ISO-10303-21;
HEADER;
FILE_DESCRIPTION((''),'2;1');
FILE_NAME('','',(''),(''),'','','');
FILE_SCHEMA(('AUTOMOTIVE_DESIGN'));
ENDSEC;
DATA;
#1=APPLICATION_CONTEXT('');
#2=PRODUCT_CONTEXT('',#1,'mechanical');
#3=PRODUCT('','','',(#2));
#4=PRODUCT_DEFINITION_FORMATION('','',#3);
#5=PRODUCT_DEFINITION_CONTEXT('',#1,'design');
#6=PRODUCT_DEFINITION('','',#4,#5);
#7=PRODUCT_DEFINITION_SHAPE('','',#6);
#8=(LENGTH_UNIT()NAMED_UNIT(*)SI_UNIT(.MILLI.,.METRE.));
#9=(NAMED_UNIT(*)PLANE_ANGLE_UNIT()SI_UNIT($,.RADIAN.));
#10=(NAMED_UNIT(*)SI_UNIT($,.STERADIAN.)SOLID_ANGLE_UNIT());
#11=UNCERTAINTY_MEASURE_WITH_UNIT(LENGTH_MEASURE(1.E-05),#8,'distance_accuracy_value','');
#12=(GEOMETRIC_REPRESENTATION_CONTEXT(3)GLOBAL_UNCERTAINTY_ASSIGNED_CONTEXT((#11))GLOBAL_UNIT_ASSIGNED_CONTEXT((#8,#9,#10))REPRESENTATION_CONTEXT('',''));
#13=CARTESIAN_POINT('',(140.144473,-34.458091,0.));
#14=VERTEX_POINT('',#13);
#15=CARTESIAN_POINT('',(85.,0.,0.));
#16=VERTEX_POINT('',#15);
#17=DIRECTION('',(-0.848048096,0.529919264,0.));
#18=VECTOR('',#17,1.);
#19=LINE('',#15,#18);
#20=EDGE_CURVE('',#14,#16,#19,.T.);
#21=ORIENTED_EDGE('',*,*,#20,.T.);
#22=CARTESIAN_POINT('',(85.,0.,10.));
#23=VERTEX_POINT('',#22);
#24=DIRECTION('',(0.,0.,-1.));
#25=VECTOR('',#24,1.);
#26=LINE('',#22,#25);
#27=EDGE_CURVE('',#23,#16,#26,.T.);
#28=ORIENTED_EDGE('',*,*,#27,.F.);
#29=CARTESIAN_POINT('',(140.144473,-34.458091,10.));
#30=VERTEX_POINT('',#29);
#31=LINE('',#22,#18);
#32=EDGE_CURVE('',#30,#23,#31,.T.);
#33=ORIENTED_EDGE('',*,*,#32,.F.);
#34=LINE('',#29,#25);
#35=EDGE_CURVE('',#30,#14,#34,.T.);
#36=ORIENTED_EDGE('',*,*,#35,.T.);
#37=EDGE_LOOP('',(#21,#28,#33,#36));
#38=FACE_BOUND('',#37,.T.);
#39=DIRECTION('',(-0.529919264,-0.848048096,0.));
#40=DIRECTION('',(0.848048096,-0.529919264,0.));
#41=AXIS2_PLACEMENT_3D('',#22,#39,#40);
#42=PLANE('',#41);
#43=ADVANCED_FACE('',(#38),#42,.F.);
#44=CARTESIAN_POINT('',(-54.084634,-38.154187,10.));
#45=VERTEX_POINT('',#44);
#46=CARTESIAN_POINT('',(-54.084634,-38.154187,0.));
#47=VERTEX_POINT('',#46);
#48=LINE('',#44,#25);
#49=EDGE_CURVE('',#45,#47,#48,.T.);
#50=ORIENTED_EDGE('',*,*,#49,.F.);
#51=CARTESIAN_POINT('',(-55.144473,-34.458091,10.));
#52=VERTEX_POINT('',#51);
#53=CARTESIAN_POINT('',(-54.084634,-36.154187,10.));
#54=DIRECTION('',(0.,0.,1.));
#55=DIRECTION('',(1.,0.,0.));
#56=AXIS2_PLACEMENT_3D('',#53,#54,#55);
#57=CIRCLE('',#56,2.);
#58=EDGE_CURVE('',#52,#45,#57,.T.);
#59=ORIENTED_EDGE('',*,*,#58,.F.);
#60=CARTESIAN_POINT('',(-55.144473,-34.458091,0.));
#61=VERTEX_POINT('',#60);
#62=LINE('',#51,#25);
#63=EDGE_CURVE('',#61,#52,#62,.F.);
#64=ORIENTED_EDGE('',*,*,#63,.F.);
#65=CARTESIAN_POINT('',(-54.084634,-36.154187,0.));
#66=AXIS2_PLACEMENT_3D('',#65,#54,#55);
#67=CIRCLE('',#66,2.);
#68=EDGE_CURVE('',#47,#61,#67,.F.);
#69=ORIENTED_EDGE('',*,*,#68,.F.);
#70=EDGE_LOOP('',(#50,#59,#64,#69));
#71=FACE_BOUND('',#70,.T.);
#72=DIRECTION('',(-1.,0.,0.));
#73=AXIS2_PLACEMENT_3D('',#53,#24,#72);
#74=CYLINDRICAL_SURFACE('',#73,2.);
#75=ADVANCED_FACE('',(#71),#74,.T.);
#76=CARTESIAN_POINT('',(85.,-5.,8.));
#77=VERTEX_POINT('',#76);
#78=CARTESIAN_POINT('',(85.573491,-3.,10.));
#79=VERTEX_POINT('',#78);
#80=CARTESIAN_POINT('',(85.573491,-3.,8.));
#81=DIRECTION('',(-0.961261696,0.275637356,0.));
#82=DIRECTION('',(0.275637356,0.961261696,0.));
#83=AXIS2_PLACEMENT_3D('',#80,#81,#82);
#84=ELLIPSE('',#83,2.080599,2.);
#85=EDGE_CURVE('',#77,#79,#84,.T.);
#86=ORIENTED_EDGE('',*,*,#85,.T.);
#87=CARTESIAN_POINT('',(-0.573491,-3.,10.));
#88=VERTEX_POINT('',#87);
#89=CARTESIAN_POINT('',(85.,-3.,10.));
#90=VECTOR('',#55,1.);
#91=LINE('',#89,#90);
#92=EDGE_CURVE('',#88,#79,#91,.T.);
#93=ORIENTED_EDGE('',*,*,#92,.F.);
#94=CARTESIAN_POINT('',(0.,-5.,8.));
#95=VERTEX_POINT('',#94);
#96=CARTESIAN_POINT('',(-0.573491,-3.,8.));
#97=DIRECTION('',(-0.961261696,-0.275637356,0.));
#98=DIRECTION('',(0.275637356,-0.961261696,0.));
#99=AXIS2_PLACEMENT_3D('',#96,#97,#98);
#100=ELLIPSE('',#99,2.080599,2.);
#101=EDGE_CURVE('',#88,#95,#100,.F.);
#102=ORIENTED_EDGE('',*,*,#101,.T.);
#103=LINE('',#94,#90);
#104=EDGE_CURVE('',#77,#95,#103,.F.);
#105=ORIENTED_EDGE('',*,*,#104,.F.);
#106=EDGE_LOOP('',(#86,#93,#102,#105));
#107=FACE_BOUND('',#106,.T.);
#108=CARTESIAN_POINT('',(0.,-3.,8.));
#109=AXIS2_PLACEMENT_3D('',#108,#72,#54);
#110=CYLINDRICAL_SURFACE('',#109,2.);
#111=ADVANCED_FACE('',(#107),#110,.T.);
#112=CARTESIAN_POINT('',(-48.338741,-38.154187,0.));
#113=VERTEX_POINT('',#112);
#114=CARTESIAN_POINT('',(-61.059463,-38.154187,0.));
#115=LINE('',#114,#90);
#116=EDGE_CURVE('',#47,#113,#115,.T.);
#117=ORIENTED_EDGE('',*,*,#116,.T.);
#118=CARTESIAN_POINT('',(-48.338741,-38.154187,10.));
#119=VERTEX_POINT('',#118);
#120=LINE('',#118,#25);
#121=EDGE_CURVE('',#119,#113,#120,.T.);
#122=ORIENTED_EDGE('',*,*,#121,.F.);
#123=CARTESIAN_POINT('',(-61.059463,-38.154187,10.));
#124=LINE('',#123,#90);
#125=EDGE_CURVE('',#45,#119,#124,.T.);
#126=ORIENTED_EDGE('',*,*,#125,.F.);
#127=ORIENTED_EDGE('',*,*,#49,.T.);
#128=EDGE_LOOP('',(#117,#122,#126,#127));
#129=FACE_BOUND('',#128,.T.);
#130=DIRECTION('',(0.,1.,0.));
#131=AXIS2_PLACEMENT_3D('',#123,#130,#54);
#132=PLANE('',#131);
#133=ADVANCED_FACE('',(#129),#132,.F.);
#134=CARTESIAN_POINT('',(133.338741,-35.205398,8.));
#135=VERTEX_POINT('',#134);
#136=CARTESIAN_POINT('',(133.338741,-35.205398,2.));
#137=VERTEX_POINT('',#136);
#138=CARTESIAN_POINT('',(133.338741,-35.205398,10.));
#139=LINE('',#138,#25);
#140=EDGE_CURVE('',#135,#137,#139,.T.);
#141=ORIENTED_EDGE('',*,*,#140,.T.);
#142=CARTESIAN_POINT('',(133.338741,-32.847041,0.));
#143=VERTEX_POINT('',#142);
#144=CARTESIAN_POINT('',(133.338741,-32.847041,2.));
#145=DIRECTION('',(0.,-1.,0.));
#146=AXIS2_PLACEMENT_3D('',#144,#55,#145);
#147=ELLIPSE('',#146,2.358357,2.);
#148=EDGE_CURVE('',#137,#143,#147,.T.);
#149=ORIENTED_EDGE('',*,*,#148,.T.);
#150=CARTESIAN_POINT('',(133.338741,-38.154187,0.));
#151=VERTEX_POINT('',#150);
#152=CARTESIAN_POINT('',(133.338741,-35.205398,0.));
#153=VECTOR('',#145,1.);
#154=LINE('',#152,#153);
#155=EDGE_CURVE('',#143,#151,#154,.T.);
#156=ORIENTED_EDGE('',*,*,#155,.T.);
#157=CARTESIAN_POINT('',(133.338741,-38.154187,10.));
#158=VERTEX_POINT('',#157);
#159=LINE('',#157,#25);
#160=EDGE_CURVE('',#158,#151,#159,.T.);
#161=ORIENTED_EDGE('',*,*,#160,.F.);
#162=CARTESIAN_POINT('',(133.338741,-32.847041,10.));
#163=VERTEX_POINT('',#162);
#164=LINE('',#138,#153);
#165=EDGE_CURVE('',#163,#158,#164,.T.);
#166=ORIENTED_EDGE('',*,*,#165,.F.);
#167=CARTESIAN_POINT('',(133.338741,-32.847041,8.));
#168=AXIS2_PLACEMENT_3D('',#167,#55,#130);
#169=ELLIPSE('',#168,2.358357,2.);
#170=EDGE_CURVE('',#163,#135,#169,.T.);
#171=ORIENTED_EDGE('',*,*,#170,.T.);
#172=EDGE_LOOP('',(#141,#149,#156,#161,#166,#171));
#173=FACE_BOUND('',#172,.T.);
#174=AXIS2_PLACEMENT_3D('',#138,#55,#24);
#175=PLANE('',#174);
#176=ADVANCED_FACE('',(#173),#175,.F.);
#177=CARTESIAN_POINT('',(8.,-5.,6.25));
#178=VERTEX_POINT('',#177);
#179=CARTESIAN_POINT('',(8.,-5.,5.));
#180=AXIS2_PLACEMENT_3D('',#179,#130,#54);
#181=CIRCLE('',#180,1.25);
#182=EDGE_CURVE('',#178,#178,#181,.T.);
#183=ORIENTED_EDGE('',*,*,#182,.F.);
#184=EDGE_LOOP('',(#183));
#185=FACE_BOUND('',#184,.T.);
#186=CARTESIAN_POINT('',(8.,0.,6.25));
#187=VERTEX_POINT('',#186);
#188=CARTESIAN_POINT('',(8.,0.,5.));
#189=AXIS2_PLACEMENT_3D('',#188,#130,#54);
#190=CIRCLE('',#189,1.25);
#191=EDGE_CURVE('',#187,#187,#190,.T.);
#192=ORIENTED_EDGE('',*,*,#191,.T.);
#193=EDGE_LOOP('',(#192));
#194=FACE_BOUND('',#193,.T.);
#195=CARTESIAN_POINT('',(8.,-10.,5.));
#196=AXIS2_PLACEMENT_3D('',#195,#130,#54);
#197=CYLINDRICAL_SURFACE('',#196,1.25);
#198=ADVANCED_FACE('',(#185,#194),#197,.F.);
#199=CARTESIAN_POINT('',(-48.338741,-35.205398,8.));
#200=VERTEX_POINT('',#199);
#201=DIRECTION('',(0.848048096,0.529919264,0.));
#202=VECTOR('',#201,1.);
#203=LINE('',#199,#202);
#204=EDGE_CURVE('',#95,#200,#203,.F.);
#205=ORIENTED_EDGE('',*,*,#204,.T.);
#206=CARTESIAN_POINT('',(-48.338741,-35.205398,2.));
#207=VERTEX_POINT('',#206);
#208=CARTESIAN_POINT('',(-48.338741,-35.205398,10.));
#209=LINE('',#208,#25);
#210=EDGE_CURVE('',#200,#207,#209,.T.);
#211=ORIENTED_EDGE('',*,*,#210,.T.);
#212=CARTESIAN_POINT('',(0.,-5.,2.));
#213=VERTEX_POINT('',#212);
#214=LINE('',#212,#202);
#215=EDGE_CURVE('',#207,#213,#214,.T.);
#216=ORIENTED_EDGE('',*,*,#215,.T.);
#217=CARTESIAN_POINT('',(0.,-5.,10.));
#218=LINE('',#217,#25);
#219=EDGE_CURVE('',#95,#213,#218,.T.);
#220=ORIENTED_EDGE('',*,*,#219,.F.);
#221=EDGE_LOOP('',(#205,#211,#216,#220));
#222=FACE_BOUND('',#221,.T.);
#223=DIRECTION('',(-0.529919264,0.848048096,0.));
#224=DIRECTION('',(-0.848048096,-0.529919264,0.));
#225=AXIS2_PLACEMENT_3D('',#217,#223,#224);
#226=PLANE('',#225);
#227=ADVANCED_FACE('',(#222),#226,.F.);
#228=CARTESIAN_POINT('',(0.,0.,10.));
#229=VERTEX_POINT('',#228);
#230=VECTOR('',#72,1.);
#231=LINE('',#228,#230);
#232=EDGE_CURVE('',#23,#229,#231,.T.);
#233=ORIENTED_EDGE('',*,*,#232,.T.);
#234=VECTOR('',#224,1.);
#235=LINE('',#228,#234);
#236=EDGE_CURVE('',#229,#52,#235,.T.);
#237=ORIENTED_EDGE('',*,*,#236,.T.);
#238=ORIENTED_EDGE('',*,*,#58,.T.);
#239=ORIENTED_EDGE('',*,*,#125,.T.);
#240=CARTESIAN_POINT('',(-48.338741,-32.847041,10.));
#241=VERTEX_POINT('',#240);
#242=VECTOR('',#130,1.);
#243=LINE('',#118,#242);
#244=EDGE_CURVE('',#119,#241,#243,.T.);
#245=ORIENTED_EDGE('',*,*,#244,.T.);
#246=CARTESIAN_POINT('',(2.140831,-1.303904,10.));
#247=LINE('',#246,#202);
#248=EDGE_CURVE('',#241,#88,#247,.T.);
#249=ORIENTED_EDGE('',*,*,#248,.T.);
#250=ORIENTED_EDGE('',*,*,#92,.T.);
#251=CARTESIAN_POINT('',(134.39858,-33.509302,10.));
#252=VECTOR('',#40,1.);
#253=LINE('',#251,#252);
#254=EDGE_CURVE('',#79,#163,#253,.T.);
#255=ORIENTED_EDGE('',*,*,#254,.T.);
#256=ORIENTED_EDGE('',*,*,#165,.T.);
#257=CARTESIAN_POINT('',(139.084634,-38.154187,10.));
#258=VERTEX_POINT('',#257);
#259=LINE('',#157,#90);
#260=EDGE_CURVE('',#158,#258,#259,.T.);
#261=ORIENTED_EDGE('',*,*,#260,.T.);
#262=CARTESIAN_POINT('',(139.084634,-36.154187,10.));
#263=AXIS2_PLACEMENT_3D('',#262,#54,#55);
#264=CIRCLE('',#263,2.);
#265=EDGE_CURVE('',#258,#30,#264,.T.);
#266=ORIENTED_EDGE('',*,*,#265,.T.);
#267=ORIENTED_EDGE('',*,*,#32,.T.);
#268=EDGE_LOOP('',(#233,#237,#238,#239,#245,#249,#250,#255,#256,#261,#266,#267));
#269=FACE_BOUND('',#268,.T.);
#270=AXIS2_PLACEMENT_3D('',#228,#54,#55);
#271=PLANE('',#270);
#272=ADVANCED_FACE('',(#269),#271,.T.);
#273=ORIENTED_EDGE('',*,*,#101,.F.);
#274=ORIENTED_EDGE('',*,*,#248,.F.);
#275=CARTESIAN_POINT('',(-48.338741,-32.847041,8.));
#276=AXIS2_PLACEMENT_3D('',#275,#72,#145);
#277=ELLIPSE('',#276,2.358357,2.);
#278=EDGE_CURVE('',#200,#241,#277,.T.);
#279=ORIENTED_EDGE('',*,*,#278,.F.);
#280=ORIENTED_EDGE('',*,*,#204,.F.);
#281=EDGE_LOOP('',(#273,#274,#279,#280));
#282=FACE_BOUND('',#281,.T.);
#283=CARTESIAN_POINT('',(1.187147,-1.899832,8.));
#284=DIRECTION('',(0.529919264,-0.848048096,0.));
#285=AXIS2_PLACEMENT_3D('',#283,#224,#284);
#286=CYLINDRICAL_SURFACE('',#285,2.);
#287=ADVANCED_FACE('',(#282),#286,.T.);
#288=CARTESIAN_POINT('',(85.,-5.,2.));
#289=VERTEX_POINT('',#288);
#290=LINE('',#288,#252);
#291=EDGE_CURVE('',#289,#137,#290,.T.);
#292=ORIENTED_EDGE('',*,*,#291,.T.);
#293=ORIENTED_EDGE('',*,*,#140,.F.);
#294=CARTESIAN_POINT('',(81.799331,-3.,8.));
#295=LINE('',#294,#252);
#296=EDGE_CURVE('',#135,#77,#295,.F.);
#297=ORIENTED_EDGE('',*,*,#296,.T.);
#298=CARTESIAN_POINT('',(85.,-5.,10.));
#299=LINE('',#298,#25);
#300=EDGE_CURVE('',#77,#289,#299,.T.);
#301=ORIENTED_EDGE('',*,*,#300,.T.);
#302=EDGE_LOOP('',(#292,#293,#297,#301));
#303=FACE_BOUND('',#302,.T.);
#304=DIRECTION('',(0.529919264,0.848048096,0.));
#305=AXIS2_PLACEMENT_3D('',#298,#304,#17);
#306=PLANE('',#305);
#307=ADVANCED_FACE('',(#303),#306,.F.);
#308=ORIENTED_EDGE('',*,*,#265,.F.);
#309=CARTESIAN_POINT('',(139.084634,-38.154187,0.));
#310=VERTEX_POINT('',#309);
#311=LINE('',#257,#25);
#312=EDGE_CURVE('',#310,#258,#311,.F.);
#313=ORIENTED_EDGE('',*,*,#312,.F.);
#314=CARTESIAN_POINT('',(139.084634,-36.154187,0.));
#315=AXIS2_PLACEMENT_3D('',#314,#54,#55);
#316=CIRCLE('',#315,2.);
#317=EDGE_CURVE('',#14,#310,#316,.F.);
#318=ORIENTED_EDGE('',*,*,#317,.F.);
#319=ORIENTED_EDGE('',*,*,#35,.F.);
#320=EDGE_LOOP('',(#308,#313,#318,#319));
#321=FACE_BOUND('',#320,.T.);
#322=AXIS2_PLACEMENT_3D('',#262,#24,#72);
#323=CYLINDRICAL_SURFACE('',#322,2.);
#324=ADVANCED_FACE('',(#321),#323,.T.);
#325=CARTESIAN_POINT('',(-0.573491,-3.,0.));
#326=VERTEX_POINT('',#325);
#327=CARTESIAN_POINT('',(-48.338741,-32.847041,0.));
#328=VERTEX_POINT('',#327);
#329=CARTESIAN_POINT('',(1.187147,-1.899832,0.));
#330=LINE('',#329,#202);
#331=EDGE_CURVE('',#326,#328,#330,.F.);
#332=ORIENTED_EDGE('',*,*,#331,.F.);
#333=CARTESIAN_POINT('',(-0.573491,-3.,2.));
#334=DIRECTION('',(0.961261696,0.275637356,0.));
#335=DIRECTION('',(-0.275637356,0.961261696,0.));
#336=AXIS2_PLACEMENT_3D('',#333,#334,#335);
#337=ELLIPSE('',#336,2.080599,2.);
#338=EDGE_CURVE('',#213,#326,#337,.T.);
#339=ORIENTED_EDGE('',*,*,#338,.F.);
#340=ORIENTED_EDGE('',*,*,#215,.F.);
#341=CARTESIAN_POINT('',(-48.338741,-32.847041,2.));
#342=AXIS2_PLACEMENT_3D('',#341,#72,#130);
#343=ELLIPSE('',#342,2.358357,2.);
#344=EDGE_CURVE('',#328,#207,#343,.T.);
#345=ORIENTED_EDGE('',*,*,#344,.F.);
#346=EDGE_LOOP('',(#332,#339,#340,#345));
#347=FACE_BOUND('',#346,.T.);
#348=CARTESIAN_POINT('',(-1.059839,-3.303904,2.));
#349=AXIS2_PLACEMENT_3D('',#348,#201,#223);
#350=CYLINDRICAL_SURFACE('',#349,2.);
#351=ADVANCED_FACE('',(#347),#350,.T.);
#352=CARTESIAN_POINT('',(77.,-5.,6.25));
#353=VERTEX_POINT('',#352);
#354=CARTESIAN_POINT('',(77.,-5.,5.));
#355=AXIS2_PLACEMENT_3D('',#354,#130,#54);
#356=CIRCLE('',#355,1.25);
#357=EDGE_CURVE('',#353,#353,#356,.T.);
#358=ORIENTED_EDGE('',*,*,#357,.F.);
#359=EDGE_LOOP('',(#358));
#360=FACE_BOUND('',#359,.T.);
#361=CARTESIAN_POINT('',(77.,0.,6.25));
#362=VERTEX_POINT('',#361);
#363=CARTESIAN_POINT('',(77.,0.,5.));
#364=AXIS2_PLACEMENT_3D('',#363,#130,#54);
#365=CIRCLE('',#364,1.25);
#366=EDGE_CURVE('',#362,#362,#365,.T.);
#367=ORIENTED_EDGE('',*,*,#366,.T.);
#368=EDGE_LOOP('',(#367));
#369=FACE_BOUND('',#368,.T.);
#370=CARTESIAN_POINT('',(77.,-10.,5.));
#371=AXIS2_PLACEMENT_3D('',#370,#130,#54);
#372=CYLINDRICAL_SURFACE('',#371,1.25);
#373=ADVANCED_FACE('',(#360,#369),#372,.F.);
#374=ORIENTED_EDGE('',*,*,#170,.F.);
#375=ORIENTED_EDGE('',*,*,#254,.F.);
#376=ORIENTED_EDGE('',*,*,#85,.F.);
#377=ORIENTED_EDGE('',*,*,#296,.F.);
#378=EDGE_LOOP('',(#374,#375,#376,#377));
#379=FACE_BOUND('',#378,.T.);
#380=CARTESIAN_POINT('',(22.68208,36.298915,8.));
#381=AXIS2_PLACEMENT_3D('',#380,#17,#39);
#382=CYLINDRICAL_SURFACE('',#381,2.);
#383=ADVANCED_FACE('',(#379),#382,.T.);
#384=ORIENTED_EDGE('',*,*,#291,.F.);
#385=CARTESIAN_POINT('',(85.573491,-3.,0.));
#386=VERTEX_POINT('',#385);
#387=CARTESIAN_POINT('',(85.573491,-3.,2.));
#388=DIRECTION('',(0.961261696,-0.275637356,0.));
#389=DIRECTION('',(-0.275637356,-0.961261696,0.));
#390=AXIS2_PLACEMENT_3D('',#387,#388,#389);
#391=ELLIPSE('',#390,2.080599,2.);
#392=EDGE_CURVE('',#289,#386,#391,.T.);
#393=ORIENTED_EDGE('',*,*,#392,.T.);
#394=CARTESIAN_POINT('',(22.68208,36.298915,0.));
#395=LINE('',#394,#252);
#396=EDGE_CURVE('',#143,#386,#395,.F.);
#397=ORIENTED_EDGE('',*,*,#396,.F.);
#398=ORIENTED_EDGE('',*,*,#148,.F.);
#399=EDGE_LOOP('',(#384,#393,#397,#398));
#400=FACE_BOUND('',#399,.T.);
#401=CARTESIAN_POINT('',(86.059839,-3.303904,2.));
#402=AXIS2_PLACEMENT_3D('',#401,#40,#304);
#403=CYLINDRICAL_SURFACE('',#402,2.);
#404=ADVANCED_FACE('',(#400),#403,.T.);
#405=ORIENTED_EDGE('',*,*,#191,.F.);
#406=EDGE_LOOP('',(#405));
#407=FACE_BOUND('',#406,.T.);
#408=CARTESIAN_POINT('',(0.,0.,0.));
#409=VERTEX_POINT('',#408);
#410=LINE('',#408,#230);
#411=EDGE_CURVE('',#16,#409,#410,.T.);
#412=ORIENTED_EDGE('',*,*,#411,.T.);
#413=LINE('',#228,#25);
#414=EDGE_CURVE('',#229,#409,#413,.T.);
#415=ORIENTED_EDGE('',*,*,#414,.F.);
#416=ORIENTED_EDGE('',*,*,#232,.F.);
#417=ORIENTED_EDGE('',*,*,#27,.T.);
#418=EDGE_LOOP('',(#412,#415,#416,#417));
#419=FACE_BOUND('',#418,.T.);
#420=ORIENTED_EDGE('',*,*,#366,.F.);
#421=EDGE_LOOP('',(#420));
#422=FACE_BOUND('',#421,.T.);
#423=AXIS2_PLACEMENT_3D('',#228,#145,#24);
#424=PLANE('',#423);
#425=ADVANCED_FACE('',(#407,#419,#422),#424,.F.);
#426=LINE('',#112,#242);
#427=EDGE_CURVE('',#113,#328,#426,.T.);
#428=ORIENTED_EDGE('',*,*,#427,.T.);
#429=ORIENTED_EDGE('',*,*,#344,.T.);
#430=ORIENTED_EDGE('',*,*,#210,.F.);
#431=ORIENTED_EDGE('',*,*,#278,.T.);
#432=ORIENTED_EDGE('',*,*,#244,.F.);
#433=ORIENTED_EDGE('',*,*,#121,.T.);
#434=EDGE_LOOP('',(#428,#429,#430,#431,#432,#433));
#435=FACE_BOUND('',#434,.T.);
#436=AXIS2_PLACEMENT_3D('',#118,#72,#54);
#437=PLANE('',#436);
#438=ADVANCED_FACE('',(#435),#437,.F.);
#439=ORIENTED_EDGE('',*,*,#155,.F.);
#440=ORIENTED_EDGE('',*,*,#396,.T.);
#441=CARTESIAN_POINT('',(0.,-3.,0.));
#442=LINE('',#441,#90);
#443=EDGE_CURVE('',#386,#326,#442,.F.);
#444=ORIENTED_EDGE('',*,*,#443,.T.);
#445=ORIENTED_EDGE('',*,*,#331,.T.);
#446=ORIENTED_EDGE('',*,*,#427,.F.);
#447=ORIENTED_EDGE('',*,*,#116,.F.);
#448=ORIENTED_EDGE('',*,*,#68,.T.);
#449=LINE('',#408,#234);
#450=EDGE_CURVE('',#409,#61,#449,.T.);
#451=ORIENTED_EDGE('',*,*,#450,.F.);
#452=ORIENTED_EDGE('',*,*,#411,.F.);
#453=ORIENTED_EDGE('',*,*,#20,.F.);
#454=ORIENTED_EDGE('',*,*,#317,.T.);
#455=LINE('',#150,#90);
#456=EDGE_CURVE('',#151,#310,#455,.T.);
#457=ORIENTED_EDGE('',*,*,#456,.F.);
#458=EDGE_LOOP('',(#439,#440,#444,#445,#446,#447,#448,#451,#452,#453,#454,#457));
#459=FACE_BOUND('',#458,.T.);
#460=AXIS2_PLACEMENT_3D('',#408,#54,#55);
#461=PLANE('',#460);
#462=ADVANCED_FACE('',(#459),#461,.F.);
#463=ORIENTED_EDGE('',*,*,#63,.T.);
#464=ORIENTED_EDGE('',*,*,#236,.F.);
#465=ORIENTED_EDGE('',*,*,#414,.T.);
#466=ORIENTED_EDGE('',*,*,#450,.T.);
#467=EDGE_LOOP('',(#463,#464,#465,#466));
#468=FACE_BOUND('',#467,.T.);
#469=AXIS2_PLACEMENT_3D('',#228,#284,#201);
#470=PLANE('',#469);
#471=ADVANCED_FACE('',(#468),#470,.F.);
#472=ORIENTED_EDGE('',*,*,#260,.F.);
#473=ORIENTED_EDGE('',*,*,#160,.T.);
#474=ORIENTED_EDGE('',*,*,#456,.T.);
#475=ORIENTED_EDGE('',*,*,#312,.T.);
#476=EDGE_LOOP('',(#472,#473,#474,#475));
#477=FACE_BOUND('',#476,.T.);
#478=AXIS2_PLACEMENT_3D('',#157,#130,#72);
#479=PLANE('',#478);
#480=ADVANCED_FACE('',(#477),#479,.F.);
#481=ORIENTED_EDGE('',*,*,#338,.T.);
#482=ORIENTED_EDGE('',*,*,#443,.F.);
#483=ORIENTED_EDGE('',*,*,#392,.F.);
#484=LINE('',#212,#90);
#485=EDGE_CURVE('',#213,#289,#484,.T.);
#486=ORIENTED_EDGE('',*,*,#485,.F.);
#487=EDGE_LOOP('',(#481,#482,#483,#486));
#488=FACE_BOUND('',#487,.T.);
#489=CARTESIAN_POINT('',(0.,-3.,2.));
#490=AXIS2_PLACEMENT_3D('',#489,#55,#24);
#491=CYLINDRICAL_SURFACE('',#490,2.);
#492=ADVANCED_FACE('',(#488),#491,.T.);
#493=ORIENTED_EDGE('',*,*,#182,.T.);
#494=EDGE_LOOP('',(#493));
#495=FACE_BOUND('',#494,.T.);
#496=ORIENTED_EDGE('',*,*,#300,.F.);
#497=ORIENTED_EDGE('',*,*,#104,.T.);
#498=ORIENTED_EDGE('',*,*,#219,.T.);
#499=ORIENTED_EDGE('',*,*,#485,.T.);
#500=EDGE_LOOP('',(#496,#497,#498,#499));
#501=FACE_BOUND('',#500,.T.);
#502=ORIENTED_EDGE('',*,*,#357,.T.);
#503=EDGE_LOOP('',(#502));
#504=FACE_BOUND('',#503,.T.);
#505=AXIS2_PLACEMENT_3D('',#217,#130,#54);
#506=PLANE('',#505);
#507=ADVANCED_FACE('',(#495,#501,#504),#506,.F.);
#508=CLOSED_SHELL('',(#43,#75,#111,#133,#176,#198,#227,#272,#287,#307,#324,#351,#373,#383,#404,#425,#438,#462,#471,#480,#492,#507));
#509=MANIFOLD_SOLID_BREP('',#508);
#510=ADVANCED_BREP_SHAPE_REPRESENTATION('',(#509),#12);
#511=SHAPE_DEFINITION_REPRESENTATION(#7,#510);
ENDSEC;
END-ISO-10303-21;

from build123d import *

# Parameters (mm, degrees)
BOSS_EXTRU_2_DEPTH      = 10
ESQUISSE3_R             = 1.25
ENL_V_MAT_EXTRU_1_DEPTH = 10
CONG_1_R                = 2
CONG_2_R                = 2
CONG_3_R                = 2
CONG_4_R                = 2


with BuildPart() as part:
    # Esquisse2 → Boss.-Extru.2 (new body)
    with BuildSketch(Plane.XY):
        Polygon((0, 0), (85, 0), (146.059462923, -38.154187025), (133.338741481, -38.154187025), (133.338741481, -35.205398061), (85, -5), (0, -5), (-48.338741481, -35.205398061), (-48.338741481, -38.154187025), (-61.059462923, -38.154187025), align=None)
    extrude(amount=BOSS_EXTRU_2_DEPTH)

    # Esquisse3 → Enlèv. mat.-Extru.1 (cut)
    with BuildSketch(Plane(origin=(0, 0, 0), x_dir=(1, 0, 0), z_dir=(0, 1, 0))):
        with Locations(Location((77, -5, 0), (0, 0, 270))):
            Circle(ESQUISSE3_R)
        with Locations(Location((8, -5, 0), (0, 0, 270))):
            Circle(ESQUISSE3_R)
    extrude(amount=-ENL_V_MAT_EXTRU_1_DEPTH, mode=Mode.SUBTRACT)

    # Congé1
    cong_1_edges = [part.edges().sort_by_distance(p)[0] for p in [
        (42.5, -5, 10),
    ]]
    fillet(cong_1_edges, radius=CONG_1_R)

    # Congé2
    cong_2_edges = [part.edges().sort_by_distance(p)[0] for p in [
        (107.569036211, -19.102699031, 10),
        (109.16937074, -20.102699031, 0),
        (-22.569036211, -19.102699031, 10),
        (-24.16937074, -20.102699031, 0),
        (42.5, -5, 0),
    ]]
    fillet(cong_2_edges, radius=CONG_2_R)

    # Congé3
    cong_3_edges = [part.edges().sort_by_distance(p)[0] for p in [
        (-61.059462923, -38.154187025, 5),
    ]]
    fillet(cong_3_edges, radius=CONG_3_R)

    # Congé4
    cong_4_edges = [part.edges().sort_by_distance(p)[0] for p in [
        (146.059462923, -38.154187025, 5),
    ]]
    fillet(cong_4_edges, radius=CONG_4_R)


solid = part.part
